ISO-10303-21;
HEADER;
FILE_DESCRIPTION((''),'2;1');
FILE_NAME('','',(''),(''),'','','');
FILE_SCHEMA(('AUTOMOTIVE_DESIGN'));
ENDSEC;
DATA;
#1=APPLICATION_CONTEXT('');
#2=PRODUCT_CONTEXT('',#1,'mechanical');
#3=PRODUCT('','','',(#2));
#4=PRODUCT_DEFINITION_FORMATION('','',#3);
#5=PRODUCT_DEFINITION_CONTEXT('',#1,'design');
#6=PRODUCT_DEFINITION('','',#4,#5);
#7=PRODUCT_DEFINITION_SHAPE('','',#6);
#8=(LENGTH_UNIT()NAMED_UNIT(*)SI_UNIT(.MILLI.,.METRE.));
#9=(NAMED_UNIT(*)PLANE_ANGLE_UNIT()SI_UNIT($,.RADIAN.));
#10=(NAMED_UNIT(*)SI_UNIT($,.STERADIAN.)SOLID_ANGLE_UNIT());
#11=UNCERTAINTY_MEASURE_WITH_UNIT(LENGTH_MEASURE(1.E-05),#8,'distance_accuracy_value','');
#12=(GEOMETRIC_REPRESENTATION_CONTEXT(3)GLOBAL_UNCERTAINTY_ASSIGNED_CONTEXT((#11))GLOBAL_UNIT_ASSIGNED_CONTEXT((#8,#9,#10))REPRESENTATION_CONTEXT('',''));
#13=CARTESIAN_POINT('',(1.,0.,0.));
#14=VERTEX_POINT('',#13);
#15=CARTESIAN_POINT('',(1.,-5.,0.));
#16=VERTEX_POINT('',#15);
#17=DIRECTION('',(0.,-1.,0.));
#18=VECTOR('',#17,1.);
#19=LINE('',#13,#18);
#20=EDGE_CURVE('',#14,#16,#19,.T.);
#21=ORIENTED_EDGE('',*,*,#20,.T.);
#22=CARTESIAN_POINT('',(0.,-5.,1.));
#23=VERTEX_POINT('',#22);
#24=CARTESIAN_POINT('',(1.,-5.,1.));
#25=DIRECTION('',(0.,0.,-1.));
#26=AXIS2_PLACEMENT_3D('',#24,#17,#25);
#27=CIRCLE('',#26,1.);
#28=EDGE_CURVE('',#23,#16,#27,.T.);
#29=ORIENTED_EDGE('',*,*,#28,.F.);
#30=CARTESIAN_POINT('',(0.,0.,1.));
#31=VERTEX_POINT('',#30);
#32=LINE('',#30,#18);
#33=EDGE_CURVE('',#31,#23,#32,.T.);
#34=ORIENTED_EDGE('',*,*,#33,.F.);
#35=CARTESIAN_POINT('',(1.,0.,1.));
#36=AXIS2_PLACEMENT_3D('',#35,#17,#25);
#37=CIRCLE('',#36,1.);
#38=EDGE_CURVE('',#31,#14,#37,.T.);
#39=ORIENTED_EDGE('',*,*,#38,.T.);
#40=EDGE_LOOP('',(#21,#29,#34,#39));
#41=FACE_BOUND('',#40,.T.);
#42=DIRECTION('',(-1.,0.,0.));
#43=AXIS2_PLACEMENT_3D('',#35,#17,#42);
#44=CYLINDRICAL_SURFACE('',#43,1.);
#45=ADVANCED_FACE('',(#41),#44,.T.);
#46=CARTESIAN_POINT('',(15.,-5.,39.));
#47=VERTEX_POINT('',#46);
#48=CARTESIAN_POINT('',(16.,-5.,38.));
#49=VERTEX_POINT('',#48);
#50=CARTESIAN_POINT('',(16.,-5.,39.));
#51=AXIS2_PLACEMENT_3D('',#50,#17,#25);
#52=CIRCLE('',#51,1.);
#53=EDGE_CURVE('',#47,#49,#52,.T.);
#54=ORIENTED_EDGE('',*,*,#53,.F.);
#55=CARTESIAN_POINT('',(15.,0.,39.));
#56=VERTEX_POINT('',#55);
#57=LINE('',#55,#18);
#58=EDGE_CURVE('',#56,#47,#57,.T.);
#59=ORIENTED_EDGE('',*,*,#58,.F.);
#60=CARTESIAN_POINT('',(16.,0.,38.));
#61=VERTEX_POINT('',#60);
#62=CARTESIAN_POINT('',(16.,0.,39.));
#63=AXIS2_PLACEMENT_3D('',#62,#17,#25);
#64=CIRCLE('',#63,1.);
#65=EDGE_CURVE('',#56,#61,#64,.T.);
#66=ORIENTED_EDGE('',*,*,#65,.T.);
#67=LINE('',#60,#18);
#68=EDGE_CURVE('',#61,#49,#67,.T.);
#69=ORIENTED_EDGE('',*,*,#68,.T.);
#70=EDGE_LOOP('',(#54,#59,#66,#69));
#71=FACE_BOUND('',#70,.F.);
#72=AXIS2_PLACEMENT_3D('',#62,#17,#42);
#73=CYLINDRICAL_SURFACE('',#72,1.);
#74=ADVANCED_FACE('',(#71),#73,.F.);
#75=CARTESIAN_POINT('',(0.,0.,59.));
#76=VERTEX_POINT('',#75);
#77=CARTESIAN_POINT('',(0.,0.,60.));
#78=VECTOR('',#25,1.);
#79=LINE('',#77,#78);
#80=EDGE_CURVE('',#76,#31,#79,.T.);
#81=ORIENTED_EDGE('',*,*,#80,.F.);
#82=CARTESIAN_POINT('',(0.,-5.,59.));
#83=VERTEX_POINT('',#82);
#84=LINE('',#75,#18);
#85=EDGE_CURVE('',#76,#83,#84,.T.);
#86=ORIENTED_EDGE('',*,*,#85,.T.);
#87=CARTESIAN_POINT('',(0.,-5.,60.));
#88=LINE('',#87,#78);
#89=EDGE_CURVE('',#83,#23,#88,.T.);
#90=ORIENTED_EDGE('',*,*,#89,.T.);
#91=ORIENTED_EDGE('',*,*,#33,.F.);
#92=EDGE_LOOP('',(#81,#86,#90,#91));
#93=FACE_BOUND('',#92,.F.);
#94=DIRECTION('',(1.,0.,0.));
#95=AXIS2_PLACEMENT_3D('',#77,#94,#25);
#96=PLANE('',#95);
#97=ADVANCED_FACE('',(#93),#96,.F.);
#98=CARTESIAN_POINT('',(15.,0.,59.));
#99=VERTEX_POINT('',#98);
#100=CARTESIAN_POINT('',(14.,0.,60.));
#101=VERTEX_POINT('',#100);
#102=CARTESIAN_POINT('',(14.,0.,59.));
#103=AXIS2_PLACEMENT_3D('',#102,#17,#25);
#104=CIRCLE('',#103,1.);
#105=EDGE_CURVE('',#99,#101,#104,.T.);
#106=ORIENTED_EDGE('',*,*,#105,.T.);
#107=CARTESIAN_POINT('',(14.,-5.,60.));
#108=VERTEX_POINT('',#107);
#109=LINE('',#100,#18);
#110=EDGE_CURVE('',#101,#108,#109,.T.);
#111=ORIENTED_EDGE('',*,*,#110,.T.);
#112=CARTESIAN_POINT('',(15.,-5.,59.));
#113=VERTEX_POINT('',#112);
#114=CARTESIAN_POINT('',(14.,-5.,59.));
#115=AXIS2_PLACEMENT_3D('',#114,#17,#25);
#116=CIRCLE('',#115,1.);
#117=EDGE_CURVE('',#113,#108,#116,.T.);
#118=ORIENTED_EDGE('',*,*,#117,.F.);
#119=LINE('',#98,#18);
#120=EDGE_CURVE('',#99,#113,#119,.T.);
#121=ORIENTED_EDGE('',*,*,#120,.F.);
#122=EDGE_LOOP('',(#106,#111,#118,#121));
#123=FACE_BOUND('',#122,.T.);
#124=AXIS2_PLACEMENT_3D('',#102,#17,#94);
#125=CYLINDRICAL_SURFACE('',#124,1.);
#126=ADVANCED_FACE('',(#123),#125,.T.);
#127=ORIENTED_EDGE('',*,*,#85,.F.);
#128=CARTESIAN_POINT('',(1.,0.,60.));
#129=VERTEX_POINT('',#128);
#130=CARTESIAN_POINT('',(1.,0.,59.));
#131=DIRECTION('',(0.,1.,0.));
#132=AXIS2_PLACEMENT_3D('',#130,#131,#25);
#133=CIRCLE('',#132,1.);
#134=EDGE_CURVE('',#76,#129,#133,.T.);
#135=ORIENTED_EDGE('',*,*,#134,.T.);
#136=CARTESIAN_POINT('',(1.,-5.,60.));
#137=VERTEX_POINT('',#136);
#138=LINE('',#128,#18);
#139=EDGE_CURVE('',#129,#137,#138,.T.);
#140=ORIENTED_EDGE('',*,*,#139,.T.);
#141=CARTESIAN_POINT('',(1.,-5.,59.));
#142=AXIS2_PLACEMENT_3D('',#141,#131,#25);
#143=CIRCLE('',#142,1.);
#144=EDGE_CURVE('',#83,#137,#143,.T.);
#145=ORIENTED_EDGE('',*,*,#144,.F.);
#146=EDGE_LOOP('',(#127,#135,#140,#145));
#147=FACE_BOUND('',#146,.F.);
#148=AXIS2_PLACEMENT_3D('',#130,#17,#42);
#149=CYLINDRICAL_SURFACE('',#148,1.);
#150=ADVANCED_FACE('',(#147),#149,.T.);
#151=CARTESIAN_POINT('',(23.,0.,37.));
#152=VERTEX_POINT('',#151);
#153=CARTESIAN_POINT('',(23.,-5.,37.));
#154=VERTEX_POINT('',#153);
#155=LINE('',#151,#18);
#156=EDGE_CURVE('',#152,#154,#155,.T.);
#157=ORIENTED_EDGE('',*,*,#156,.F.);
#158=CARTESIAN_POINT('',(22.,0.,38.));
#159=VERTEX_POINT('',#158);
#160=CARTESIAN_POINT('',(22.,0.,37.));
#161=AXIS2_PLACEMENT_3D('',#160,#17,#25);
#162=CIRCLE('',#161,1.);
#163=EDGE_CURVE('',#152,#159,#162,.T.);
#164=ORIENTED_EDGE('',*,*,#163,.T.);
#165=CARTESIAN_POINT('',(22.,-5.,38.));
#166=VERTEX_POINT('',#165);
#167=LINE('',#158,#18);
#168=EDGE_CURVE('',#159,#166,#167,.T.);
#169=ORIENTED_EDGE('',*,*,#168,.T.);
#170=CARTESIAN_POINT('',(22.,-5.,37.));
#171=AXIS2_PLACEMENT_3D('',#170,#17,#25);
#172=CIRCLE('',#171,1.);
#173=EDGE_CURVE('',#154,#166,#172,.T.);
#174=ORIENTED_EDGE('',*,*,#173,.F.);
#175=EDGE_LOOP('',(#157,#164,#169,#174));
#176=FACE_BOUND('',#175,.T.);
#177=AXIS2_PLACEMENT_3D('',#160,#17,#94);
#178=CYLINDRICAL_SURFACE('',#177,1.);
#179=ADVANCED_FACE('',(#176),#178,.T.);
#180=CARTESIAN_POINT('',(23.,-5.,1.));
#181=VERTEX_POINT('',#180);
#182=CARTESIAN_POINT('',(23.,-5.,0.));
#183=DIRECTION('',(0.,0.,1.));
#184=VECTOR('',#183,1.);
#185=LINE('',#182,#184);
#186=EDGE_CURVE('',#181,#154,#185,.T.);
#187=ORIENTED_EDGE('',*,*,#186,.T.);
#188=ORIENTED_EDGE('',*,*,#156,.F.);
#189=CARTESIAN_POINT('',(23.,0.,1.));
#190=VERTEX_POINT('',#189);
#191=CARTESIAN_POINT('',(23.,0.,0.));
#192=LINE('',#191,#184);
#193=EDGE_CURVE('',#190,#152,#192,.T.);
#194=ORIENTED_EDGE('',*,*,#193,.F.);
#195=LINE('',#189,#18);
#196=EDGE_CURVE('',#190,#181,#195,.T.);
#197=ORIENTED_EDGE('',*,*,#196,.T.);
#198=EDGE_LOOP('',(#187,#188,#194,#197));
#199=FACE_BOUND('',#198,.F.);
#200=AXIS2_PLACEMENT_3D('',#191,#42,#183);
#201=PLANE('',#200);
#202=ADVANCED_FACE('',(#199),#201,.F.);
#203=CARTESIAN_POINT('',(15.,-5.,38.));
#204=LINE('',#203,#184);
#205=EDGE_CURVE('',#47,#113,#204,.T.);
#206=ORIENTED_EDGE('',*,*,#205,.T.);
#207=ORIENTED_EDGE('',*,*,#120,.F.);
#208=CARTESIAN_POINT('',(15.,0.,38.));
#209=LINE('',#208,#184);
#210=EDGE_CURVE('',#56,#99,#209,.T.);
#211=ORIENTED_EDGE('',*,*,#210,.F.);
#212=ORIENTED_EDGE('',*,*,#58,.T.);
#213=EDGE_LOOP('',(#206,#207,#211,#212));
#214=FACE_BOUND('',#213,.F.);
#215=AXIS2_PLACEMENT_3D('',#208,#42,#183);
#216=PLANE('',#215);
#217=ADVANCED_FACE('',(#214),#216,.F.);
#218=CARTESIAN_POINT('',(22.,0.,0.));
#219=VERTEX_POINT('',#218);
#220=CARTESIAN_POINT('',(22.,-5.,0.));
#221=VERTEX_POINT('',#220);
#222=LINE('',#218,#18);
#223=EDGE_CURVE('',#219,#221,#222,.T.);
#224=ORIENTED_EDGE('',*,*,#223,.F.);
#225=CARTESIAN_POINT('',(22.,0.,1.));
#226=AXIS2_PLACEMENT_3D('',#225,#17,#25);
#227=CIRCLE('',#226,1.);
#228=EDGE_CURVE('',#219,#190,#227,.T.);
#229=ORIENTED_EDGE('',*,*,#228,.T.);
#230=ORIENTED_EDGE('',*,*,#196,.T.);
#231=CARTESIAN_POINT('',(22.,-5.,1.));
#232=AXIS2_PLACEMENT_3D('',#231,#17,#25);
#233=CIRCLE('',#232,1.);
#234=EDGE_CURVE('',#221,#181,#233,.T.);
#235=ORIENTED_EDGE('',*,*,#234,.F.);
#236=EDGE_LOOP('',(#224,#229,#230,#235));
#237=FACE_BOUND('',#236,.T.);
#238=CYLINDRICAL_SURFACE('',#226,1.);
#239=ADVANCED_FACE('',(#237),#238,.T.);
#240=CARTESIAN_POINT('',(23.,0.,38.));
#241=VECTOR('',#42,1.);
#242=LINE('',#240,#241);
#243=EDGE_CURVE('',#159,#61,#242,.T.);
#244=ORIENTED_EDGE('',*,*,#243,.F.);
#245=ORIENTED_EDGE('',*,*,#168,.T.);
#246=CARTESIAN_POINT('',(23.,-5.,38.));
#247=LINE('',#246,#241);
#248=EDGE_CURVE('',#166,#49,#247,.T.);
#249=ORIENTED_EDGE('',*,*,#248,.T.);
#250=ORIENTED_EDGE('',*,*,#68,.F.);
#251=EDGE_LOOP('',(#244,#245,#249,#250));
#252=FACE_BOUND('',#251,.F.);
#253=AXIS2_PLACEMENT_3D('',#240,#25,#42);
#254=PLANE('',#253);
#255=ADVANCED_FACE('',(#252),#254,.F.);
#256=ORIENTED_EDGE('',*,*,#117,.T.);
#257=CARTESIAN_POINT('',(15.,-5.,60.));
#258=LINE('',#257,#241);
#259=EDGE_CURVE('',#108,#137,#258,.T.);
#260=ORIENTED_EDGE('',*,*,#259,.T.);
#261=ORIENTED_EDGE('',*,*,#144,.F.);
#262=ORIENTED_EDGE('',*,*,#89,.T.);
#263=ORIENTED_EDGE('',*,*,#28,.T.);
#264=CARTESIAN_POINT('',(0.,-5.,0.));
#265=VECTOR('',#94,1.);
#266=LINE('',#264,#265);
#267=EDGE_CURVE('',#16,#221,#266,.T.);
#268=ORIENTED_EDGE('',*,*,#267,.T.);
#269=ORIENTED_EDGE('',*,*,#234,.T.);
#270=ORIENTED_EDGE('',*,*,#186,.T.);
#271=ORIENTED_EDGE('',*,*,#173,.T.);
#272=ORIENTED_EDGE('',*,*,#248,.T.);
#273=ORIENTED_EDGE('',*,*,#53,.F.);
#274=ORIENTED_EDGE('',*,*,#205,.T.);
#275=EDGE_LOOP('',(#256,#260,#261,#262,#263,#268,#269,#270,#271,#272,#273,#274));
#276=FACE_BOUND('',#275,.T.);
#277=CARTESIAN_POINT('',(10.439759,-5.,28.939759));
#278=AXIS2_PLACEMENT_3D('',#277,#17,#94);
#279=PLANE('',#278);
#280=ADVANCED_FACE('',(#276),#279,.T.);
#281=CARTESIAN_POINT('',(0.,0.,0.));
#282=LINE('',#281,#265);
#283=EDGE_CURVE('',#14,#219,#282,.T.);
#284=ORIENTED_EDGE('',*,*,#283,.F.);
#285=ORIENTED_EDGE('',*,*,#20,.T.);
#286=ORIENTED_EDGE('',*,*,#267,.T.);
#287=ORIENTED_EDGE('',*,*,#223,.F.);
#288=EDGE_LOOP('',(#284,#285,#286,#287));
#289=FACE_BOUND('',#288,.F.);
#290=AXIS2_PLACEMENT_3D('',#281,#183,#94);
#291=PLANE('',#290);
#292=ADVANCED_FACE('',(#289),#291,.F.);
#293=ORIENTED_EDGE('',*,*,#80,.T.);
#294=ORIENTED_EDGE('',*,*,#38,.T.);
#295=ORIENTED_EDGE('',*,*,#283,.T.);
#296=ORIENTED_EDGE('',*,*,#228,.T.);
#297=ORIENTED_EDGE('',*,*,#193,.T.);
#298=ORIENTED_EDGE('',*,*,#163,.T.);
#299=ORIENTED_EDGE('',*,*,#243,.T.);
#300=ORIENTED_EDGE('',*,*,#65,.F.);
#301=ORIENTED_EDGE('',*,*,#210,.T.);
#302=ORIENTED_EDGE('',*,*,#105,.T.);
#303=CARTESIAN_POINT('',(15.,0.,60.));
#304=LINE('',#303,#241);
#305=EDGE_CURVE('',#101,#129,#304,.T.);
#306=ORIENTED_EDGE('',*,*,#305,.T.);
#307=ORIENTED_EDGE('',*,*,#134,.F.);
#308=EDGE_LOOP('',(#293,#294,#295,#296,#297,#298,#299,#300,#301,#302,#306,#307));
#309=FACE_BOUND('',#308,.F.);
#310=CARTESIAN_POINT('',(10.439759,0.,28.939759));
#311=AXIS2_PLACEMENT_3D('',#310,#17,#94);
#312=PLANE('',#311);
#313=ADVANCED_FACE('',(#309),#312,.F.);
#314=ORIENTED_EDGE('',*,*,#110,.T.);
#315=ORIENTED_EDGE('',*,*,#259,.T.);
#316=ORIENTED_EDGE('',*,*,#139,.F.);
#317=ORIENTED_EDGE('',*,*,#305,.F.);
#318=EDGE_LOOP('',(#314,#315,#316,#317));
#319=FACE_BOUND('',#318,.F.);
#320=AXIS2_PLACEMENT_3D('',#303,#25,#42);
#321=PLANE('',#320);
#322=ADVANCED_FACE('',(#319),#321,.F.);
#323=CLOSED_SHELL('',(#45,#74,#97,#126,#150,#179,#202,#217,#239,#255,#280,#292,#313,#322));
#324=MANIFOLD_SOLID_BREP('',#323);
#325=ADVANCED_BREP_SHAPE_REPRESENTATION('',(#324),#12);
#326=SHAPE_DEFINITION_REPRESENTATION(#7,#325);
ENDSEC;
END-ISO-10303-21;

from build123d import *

# Parameters (mm, degrees)
F1_DEPTH = 5
F2_R     = 1
F3_R     = 1


with BuildPart() as f1:
    # F0 (on Front) → F1 (new body)
    with BuildSketch(Plane.XZ):
        Polygon((0, 60), (0, 0), (23, 0), (23, 38), (15, 38), (15, 60), align=None)
    extrude(amount=F1_DEPTH)

    # F2
    f2_edges = [f1.edges().sort_by_distance(p)[0] for p in [
        (0, -2.5, 60),
        (15, -2.5, 60),
        (23, -2.5, 38),
        (0, -2.5, 0),
        (23, -2.5, 0),
    ]]
    fillet(f2_edges, radius=F2_R)

    # F3
    f3_edges = [f1.edges().sort_by_distance(p)[0] for p in [
        (15, -2.5, 38),
    ]]
    fillet(f3_edges, radius=F3_R)


solid = f1.part
